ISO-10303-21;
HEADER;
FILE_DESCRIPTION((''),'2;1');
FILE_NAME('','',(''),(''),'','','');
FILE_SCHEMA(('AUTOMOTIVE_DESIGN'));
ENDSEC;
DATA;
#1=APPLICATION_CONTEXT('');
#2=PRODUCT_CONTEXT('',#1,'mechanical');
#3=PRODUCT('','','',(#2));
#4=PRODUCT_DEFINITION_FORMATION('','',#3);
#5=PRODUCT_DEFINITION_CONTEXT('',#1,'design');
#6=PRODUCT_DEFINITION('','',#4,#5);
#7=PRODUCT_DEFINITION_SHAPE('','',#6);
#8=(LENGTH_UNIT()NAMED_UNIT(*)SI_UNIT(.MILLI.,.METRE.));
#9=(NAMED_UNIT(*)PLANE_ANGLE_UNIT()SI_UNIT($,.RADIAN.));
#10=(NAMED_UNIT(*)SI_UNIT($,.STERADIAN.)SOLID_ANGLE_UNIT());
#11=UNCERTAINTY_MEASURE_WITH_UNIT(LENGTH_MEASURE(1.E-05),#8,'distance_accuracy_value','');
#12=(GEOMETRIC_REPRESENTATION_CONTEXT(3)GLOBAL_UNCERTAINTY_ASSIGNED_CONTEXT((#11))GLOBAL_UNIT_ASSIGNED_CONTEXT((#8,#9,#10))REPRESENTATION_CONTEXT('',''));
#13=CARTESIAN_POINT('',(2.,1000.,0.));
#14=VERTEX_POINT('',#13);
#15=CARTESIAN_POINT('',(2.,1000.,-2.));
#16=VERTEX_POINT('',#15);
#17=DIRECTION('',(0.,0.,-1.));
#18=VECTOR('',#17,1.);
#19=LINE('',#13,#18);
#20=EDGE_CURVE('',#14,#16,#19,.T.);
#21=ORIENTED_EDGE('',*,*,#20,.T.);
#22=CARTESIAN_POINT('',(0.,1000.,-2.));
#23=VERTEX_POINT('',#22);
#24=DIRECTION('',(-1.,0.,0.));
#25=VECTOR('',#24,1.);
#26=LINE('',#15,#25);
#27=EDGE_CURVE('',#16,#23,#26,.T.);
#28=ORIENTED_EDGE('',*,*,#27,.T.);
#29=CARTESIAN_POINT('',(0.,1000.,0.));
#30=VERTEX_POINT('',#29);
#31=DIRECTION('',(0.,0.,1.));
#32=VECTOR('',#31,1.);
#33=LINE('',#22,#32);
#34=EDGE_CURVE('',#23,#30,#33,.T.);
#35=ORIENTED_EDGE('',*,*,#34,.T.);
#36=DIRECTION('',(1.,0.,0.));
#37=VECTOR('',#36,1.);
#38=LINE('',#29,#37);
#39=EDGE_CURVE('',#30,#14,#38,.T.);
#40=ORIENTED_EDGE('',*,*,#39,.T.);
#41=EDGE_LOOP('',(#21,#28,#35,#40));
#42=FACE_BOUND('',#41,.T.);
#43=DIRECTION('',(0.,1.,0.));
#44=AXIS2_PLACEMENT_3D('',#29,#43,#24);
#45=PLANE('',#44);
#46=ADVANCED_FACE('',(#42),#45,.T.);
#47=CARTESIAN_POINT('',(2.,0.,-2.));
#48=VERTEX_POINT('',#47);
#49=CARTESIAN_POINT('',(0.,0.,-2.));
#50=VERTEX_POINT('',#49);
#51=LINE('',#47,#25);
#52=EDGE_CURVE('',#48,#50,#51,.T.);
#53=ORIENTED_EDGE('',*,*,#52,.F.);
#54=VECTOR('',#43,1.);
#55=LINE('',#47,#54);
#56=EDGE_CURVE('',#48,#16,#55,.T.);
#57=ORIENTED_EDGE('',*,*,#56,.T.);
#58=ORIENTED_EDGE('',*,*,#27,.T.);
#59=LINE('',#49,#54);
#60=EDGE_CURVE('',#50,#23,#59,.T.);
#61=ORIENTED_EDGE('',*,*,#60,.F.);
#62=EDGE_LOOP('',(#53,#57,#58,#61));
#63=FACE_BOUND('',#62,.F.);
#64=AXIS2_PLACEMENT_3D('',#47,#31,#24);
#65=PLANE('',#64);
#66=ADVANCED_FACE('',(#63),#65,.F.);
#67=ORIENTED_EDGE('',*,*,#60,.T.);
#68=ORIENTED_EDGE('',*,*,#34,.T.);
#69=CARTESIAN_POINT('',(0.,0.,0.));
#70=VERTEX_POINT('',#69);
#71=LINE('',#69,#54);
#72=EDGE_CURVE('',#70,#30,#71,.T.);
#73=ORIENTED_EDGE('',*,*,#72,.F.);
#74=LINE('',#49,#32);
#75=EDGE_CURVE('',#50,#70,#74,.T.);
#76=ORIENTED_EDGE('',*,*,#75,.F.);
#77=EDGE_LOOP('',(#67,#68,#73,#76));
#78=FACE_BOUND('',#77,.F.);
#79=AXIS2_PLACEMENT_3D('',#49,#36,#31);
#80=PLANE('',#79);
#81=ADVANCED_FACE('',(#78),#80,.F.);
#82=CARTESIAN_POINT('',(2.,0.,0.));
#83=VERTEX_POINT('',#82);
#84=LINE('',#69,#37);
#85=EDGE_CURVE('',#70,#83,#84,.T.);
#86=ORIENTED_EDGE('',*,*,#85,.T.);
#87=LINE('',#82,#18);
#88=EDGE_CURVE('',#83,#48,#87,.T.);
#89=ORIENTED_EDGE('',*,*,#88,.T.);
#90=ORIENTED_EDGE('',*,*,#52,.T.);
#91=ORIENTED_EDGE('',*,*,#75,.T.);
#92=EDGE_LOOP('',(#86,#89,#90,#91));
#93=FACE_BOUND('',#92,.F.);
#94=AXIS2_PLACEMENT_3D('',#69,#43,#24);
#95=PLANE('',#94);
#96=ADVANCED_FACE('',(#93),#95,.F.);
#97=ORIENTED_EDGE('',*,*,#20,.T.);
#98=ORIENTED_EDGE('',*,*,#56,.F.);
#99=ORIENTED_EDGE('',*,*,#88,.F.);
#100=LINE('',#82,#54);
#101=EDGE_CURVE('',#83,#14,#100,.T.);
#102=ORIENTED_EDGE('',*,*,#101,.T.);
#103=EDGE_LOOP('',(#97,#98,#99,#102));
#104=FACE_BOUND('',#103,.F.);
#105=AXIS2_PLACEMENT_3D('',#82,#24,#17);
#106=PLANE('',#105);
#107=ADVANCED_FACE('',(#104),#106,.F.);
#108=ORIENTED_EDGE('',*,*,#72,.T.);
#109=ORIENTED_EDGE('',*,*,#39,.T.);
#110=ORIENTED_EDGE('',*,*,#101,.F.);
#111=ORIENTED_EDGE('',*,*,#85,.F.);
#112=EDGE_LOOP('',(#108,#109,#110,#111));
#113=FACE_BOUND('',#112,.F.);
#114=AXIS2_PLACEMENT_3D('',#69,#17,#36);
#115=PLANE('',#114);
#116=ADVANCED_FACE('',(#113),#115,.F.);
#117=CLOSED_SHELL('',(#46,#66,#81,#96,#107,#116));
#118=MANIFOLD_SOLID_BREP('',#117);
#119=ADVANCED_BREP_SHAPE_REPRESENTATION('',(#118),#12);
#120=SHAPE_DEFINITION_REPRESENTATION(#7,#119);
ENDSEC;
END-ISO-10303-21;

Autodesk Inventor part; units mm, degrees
ref_plane "YZ Plane" through (0, 0, 0) normal (1, 0, 0) x (0, 1, 0)
ref_plane "XZ Plane" through (0, 0, 0) normal (0, 1, 0) x (-1, 0, 0)
ref_plane "XY Plane" through (0, 0, 0) normal (0, 0, 1) x (1, 0, 0)
sketch "Sketch1" plane through (0, 0, 0) normal (0, 1, 0) x (-1, 0, 0)
  line L0 (0, 0) -> (-2, 0)
  line L1 (-2, 0) -> (-2, -2)
  line L2 (-2, -2) -> (0, -2)
  line L3 (0, -2) -> (0, 0)
  dimension "d0" = 2
  dimension "d1" = 2
extrude "Extrusion1" add sketch "Sketch1" along normal blind 1000
properties part number "square rope"
